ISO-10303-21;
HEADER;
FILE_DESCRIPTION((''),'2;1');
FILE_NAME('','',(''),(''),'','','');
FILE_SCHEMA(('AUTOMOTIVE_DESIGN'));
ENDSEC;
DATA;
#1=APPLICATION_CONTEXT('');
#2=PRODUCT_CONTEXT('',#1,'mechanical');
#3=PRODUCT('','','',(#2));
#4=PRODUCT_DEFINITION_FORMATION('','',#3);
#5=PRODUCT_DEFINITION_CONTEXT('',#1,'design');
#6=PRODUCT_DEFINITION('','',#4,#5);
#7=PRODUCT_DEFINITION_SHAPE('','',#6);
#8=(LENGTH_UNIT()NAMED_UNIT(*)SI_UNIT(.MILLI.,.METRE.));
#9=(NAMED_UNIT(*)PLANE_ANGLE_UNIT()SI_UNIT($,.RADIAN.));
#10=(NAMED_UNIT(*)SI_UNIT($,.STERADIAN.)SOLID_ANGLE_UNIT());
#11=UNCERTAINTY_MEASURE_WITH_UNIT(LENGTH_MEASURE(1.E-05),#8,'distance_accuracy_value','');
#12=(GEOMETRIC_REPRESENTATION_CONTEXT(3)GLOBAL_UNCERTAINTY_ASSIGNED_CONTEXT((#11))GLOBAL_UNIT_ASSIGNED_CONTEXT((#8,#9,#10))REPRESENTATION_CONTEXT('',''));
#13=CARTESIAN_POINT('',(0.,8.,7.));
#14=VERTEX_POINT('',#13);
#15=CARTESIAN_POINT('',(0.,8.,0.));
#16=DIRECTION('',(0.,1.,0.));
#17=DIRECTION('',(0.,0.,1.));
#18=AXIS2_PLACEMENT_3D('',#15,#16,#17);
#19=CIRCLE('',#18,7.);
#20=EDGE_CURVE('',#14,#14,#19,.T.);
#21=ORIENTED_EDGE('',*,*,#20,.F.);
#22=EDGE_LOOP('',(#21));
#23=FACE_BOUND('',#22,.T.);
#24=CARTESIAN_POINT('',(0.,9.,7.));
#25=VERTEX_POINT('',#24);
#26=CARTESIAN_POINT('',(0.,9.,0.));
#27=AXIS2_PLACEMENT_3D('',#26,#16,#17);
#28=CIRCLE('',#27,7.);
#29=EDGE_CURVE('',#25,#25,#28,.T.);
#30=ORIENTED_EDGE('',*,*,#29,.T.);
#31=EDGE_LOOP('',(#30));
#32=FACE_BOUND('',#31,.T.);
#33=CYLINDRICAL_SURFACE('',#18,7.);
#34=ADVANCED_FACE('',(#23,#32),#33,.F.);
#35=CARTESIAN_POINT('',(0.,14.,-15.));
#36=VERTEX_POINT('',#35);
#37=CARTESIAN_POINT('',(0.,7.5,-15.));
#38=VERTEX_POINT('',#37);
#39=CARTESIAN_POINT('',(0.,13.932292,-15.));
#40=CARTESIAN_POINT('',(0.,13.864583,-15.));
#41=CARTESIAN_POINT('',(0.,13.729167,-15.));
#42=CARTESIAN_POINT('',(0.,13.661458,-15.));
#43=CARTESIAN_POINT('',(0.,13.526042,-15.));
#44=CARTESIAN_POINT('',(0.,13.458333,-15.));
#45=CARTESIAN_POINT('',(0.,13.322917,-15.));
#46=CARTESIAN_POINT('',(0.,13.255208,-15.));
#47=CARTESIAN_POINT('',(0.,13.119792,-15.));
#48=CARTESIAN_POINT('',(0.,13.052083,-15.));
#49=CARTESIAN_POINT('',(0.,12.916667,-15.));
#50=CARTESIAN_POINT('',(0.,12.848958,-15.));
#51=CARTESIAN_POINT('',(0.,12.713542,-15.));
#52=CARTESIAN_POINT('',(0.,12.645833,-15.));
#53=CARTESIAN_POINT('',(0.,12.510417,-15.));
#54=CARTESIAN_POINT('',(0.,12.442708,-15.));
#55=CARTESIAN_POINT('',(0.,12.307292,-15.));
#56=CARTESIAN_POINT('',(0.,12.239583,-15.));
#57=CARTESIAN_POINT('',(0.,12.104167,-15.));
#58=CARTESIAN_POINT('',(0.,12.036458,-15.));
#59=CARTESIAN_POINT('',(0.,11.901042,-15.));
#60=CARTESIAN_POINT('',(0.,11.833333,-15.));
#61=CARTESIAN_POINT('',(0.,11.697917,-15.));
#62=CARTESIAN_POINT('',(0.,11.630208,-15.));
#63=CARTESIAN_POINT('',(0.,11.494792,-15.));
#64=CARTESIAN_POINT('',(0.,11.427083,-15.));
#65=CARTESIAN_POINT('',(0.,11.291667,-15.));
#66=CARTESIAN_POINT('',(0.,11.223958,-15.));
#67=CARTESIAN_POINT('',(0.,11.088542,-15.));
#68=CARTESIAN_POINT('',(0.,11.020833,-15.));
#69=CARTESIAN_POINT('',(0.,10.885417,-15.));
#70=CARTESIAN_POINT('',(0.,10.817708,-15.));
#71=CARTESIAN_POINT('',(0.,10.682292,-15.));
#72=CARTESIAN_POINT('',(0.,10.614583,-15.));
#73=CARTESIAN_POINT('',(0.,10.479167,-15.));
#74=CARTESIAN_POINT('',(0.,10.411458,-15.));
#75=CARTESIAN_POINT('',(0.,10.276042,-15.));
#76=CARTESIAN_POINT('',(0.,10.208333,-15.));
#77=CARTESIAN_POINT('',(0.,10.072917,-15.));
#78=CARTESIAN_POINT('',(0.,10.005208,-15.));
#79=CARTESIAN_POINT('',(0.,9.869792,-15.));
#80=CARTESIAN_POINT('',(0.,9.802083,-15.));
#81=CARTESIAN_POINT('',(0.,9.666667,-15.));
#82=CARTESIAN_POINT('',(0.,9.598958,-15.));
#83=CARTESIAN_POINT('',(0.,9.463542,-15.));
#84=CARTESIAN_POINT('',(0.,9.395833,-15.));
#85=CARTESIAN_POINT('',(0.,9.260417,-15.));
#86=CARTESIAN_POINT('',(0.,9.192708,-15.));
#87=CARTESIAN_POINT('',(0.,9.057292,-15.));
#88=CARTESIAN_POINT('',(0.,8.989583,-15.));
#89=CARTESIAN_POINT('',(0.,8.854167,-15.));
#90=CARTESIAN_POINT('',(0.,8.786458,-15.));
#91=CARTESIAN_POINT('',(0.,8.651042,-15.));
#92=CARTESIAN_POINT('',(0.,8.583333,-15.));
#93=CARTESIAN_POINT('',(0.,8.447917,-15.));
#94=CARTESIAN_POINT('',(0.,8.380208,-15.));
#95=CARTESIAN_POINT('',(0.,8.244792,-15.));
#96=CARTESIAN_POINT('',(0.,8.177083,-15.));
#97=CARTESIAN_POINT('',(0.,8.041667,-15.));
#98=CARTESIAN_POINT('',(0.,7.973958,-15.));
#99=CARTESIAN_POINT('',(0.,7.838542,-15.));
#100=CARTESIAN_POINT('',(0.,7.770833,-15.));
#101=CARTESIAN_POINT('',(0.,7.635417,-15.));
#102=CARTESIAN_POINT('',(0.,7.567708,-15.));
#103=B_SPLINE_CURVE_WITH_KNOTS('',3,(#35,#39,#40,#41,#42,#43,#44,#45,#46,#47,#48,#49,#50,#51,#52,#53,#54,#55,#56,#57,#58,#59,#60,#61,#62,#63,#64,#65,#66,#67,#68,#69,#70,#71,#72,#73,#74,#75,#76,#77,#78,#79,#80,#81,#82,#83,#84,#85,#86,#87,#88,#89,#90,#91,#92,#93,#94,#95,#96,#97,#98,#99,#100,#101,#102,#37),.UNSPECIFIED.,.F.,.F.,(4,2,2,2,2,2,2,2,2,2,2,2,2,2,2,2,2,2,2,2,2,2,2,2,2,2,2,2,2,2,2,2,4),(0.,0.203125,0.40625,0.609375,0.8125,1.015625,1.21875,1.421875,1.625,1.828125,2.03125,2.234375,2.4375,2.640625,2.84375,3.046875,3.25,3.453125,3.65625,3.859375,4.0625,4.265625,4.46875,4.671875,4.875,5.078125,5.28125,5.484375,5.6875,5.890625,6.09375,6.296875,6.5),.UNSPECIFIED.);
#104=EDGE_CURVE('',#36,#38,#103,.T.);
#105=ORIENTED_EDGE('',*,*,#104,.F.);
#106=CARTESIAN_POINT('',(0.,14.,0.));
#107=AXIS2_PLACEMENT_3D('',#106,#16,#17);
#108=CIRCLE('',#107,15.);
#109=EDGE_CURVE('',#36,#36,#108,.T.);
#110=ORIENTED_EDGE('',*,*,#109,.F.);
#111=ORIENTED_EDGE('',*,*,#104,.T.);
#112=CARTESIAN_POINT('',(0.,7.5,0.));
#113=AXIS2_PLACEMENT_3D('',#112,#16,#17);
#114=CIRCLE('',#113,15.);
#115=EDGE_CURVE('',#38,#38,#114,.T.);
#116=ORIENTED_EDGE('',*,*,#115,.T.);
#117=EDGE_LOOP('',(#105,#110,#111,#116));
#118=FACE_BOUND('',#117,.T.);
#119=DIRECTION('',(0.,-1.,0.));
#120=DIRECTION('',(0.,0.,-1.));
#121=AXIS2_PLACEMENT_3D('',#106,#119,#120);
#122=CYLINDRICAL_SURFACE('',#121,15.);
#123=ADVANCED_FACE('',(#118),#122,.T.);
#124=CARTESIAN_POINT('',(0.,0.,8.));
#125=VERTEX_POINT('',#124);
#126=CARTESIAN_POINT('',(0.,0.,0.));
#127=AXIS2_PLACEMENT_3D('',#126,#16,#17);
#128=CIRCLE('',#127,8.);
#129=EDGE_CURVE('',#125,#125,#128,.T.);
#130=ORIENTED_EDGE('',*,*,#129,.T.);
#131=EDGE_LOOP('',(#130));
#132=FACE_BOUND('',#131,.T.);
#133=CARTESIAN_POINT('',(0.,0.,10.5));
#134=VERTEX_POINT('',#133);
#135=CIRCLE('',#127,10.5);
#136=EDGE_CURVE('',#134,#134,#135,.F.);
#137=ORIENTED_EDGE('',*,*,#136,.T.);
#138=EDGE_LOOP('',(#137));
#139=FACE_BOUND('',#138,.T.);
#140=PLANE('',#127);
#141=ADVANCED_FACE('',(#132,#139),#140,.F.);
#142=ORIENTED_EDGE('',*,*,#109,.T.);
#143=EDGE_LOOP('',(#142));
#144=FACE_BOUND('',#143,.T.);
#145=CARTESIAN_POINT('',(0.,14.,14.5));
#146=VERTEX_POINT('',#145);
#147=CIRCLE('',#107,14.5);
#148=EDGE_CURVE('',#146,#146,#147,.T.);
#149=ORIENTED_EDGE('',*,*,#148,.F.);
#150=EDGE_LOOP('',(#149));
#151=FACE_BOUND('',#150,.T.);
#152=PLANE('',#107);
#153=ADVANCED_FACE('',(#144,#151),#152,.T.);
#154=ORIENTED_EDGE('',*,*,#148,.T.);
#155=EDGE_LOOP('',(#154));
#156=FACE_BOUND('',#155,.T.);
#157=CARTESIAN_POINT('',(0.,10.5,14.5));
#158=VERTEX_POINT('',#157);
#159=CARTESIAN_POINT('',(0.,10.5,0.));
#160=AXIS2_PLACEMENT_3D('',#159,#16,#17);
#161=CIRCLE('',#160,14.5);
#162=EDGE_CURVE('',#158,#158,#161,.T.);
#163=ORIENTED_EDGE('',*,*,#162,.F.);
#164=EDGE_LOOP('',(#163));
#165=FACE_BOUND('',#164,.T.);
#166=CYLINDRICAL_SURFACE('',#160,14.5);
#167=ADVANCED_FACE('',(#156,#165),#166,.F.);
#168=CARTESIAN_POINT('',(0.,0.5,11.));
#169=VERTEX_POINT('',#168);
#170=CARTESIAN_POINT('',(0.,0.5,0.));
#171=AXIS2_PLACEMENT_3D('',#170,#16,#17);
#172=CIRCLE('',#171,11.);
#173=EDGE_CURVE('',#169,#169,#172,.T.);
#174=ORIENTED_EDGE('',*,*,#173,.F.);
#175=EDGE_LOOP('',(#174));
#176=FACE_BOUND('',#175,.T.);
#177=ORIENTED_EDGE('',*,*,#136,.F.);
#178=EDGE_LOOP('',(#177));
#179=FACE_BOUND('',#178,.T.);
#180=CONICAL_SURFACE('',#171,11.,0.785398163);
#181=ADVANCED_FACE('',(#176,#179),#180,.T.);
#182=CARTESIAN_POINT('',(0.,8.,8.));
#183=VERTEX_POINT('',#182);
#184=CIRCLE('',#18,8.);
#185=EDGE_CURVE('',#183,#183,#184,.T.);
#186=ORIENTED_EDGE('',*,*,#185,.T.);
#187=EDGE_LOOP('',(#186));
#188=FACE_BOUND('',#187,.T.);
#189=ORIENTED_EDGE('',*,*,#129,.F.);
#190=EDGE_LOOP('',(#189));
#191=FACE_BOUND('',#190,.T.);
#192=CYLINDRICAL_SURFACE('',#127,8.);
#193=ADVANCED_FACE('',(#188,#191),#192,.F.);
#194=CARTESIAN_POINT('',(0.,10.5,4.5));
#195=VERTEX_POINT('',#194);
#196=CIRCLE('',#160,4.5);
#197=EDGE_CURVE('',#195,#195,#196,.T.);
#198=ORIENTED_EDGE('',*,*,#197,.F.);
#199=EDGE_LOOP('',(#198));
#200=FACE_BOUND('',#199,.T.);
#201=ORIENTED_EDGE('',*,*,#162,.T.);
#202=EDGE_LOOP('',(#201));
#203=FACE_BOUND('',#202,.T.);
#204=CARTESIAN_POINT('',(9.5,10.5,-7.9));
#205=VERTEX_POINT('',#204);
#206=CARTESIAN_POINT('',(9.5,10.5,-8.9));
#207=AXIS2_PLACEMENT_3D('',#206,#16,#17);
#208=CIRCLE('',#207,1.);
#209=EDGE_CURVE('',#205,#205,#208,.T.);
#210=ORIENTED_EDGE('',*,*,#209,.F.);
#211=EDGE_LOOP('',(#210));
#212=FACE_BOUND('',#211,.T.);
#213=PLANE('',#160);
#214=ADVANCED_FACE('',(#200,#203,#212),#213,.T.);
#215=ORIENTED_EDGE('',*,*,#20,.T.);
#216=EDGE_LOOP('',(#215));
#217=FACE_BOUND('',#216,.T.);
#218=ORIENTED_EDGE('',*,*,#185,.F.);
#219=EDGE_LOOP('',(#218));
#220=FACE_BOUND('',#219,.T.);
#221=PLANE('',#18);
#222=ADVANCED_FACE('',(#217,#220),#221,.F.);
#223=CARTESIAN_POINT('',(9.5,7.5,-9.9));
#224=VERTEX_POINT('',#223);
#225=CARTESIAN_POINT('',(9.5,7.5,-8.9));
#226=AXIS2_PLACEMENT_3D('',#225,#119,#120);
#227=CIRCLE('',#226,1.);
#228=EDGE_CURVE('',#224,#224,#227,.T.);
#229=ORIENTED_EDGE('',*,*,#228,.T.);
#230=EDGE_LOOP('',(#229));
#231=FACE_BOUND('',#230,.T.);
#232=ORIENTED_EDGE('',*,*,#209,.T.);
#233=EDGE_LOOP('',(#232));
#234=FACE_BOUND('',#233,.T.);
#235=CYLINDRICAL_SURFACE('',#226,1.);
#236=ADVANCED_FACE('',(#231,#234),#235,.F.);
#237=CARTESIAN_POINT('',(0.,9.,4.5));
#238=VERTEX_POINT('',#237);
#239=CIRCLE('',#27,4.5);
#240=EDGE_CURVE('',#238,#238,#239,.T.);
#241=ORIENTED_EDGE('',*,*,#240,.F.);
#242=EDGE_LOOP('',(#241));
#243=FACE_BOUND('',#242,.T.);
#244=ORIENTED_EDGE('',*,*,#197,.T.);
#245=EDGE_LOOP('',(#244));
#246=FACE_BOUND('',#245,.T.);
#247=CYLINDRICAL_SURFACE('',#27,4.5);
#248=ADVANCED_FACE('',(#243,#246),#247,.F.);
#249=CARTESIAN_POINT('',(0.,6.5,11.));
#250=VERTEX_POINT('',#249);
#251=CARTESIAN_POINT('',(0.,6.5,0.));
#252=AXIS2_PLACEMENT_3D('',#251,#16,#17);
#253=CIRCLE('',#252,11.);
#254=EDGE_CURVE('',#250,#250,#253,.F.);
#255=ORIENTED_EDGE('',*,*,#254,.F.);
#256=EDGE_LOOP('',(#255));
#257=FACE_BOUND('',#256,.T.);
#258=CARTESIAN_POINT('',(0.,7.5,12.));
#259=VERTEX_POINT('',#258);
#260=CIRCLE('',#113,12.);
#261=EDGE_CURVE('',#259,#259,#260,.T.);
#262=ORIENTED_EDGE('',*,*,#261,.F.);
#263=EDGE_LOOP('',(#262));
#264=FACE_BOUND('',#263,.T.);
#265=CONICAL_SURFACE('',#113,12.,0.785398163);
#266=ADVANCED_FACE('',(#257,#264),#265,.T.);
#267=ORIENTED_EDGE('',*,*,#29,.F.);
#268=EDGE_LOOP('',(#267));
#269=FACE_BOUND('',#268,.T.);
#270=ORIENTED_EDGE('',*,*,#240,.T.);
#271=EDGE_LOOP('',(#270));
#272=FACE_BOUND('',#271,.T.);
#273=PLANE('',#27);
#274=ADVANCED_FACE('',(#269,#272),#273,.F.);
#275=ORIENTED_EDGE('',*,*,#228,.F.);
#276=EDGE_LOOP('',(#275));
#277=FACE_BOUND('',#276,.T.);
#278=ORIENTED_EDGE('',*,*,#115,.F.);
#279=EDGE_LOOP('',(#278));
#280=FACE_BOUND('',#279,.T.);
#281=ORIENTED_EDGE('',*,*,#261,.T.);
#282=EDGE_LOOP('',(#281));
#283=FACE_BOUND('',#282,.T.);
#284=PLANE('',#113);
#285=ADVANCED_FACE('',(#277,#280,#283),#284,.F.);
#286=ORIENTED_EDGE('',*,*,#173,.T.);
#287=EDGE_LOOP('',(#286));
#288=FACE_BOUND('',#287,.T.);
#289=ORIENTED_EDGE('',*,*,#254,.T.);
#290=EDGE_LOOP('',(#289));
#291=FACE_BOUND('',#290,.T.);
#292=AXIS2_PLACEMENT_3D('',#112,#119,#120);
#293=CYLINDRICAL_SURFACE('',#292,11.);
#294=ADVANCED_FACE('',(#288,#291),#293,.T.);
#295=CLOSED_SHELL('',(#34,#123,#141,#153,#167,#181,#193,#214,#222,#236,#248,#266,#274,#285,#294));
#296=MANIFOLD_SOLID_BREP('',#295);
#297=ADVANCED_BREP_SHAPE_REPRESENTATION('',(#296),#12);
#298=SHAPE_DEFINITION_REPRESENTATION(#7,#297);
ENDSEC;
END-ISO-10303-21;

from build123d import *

# Parameters (mm, degrees)
ESQUISSE1_R              = 11
BOSS_EXTRU_1_DEPTH       = 7.5
ESQUISSE3_R              = 15
BOSS_EXTRU_2_DEPTH       = 6.5
CHANFREIN1_SIZE          = 0.5
CHANFREIN2_SIZE          = 1
ESQUISSE4_R              = 14.5
ENL_V_MAT_EXTRU_1_DEPTH  = 3.5
ESQUISSE5_R              = 4.5
ENL_V_MAT_EXTRU_2_DEPTH  = 1.5
ESQUISSE6_R              = 7
ENL_V_MAT_EXTRU_3_DEPTH  = 1
ESQUISSE20_R             = 8
ENL_V_MAT_EXTRU_4_DEPTH  = 8
F_2_0_2_DIAMETER_HOLE1_D = 2


with BuildPart() as part:
    # Esquisse1 → Boss.-Extru.1 (new body)
    with BuildSketch(Plane(origin=(0, 0, 0), x_dir=(1, 0, 0), z_dir=(0, 1, 0))):
        with Locations(Location((0, 0, 0), (0, 0, 270))):
            Circle(ESQUISSE1_R)
    extrude(amount=BOSS_EXTRU_1_DEPTH)

    # Esquisse3 → Boss.-Extru.2 (add)
    with BuildSketch(Plane(origin=(0, 7.5, 0), x_dir=(1, 0, 0), z_dir=(0, 1, 0))):
        with Locations(Location((0, 0, 0), (0, 0, 90))):
            Circle(ESQUISSE3_R)
    extrude(amount=BOSS_EXTRU_2_DEPTH)

    # Chanfrein1
    chanfrein1_edges = [part.edges().sort_by_distance(p)[0] for p in [
        (0, 0, -11),
    ]]
    chamfer(chanfrein1_edges, length=CHANFREIN1_SIZE)

    # Chanfrein2
    chanfrein2_edges = [part.edges().sort_by_distance(p)[0] for p in [
        (0, 7.5, -11),
    ]]
    chamfer(chanfrein2_edges, length=CHANFREIN2_SIZE)

    # Esquisse4 → Enlèv. mat.-Extru.1 (cut)
    with BuildSketch(Plane(origin=(0, 14, 0), x_dir=(1, 0, 0), z_dir=(0, 1, 0))):
        with Locations(Location((0, 0, 0), (0, 0, 270))):
            Circle(ESQUISSE4_R)
    extrude(amount=-ENL_V_MAT_EXTRU_1_DEPTH, mode=Mode.SUBTRACT)

    # Esquisse5 → Enlèv. mat.-Extru.2 (cut)
    with BuildSketch(Plane(origin=(0, 10.5, 0), x_dir=(1, 0, 0), z_dir=(0, 1, 0))):
        with Locations(Location((0, 0, 0), (0, 0, 270))):
            Circle(ESQUISSE5_R)
    extrude(amount=-ENL_V_MAT_EXTRU_2_DEPTH, mode=Mode.SUBTRACT)

    # Esquisse6 → Enlèv. mat.-Extru.3 (cut)
    with BuildSketch(Plane(origin=(0, 9, 0), x_dir=(1, 0, 0), z_dir=(0, 1, 0))):
        with Locations(Location((0, 0, 0), (0, 0, 270))):
            Circle(ESQUISSE6_R)
    extrude(amount=-ENL_V_MAT_EXTRU_3_DEPTH, mode=Mode.SUBTRACT)

    # Esquisse20 → Enlèv. mat.-Extru.4 (cut)
    with BuildSketch(Plane(origin=(0, 8, 0), x_dir=(1, 0, 0), z_dir=(0, 1, 0))):
        with Locations(Location((0, 0, 0), (0, 0, 270))):
            Circle(ESQUISSE20_R)
    extrude(amount=-ENL_V_MAT_EXTRU_4_DEPTH, mode=Mode.SUBTRACT)

    # Ø2.0 (2) Diameter Hole1 (through all)
    with Locations(Plane(origin=(0, 7.5, 0), x_dir=(-1, 0, 0), z_dir=(0, -1, 0))):
        with Locations((-9.5, 8.9)):
            Hole(F_2_0_2_DIAMETER_HOLE1_D / 2)


solid = part.part
